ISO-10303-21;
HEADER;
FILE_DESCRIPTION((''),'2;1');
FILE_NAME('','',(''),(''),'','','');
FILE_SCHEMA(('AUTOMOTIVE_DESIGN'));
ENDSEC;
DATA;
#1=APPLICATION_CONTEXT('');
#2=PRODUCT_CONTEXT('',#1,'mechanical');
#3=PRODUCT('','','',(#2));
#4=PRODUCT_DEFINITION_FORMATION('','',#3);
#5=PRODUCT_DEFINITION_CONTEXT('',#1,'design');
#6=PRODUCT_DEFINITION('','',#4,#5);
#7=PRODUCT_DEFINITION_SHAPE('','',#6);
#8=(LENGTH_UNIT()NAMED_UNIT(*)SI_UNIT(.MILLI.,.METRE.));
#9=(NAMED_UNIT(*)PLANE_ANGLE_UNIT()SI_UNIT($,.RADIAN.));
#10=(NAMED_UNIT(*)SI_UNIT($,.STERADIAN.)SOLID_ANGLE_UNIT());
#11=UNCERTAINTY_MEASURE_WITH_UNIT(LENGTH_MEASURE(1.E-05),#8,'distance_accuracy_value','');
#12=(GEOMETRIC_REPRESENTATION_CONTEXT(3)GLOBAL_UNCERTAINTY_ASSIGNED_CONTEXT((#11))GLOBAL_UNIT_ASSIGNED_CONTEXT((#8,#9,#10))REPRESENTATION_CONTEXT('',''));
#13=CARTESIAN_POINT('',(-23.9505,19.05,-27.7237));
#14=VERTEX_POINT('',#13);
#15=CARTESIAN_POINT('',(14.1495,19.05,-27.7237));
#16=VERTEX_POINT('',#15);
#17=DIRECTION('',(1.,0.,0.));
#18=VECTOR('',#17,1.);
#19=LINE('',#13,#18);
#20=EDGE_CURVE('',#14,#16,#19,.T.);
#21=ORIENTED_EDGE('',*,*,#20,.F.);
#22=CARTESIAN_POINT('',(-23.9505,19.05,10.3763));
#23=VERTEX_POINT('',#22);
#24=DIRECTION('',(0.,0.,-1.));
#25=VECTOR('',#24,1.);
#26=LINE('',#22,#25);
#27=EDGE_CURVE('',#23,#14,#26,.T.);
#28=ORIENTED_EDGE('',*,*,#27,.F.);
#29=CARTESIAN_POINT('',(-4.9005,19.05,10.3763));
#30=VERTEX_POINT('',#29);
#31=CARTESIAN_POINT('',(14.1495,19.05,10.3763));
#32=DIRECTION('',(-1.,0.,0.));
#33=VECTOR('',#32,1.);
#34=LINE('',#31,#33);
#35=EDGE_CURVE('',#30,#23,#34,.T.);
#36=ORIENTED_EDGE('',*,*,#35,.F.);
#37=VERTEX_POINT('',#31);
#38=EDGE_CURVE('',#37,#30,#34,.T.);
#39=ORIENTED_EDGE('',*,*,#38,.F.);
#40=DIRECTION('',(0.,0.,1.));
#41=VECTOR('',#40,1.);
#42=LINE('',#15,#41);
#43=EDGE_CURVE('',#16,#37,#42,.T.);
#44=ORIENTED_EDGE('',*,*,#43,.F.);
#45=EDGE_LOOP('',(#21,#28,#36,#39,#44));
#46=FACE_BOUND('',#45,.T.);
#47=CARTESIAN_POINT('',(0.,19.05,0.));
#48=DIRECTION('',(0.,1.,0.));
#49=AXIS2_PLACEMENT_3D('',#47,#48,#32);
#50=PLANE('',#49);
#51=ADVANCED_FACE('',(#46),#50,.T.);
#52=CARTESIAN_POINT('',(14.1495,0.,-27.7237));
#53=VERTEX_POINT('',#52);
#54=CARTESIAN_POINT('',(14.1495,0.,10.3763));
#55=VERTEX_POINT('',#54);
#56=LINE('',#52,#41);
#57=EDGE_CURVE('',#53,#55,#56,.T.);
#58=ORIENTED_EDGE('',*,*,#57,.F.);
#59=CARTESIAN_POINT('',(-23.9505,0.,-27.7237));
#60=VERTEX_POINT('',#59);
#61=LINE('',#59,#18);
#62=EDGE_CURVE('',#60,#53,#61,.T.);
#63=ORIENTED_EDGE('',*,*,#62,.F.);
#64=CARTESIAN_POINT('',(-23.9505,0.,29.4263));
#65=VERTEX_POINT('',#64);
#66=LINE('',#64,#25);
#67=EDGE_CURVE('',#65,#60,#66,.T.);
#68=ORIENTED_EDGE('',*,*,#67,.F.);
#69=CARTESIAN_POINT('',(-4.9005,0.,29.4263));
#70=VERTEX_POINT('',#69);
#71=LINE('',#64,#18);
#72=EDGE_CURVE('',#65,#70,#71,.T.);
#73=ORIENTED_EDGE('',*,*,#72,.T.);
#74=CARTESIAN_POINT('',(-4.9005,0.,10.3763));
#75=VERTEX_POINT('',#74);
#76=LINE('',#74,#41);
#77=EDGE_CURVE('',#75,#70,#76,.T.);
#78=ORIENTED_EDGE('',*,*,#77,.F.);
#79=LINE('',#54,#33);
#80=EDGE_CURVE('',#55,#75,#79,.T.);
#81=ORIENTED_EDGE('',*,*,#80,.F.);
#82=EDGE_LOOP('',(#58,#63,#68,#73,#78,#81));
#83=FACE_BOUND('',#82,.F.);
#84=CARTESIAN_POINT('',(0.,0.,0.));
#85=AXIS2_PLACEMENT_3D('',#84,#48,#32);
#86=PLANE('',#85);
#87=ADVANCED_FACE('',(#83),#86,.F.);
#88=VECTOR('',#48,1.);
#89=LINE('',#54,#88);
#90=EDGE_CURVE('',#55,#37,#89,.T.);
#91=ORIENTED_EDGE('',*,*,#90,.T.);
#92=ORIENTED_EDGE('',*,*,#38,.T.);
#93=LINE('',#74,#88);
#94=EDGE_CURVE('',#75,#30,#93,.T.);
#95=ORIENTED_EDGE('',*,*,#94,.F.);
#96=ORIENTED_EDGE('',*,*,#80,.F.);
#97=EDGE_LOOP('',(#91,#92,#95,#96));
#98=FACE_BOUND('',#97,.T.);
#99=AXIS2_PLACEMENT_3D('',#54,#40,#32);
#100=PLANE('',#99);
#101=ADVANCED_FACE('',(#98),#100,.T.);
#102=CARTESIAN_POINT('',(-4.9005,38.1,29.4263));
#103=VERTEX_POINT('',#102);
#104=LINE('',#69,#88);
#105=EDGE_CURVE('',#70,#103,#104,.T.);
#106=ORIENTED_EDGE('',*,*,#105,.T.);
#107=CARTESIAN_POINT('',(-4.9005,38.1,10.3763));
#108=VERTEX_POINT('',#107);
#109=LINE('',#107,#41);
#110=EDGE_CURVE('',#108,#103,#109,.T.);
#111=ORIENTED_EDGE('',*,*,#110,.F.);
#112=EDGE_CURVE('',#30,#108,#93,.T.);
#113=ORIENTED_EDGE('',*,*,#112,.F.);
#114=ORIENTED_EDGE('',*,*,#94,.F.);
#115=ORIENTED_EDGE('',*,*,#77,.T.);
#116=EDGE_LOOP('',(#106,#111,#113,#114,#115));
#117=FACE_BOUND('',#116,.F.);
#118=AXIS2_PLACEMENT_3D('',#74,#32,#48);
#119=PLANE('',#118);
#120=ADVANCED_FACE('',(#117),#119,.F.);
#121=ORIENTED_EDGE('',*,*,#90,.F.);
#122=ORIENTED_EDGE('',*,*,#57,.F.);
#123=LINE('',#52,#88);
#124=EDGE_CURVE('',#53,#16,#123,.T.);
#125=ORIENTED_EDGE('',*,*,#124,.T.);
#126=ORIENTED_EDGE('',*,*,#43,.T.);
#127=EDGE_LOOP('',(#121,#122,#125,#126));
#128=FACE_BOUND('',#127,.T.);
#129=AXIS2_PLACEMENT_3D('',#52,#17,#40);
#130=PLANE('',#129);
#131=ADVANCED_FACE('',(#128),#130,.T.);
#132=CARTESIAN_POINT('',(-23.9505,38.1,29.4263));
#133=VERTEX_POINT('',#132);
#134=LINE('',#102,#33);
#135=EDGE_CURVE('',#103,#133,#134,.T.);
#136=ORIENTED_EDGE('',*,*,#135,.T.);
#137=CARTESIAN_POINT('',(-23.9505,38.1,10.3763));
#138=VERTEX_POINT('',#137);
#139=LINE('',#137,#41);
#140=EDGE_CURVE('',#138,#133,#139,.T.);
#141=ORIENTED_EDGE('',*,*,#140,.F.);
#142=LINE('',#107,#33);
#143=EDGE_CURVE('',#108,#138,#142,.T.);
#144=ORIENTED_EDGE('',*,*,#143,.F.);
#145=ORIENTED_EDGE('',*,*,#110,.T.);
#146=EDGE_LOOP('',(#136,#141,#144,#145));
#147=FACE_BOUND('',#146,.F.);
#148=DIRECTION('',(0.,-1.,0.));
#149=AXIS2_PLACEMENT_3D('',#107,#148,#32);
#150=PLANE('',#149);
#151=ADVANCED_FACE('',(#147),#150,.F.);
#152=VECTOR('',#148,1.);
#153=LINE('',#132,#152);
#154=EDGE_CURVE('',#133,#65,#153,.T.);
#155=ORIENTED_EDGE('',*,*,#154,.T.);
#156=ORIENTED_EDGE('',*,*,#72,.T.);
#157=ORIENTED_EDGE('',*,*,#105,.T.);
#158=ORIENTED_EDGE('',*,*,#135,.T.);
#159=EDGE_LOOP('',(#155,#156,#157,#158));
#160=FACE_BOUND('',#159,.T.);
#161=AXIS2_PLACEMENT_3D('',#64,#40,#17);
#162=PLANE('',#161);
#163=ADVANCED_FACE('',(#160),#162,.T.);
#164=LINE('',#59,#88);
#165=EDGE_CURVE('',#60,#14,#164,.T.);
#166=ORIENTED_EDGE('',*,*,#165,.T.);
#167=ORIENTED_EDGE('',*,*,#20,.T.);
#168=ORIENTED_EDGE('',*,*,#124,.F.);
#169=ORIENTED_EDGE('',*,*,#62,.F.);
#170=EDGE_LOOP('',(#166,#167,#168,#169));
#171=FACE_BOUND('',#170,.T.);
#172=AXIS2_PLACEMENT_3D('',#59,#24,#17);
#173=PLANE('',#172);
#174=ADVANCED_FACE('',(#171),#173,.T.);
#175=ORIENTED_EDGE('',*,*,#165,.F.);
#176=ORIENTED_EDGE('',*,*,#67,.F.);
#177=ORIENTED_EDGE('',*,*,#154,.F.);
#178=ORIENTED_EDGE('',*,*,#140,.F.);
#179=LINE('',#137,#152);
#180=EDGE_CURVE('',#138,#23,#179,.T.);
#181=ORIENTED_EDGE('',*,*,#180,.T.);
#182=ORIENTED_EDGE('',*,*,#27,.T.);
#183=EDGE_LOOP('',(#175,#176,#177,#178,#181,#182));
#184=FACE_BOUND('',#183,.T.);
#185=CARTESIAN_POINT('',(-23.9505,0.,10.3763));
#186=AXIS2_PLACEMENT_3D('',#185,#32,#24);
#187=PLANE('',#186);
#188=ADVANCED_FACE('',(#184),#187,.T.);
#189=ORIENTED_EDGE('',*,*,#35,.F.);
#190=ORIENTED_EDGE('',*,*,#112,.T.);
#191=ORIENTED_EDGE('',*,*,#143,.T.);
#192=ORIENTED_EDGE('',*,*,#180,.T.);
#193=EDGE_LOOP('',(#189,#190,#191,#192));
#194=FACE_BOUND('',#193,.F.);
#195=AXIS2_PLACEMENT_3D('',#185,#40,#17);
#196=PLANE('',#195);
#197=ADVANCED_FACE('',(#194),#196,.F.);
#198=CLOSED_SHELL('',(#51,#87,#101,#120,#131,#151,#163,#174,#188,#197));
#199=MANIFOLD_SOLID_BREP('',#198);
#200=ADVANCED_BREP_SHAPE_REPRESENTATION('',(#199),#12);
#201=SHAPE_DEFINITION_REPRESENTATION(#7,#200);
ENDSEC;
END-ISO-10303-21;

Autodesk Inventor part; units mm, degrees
ref_plane "YZ Plane" through (0, 0, 0) normal (1, 0, 0) x (0, 1, 0)
ref_plane "XZ Plane" through (0, 0, 0) normal (0, 1, 0) x (-1, 0, 0)
ref_plane "XY Plane" through (0, 0, 0) normal (0, 0, 1) x (1, 0, 0)
sketch "Sketch1" plane through (0, 0, 0) normal (0, 1, 0) x (-1, 0, 0)
  line L0 (-14.1495, 10.3763) -> (23.9505, 10.3763)
  line L1 (23.9505, 10.3763) -> (23.9505, -27.7237)
  line L2 (23.9505, -27.7237) -> (-14.1495, -27.7237)
  line L3 (-14.1495, -27.7237) -> (-14.1495, 10.3763)
  point P0 (0, 0)
  dimension "d0" = 38.1
  dimension "d1" = 38.1
extrude "Extrusion1" add sketch "Sketch1" along normal blind 19.05
sketch "Sketch2" plane through (-23.9505, 0, 10.3763) normal (0, 0, 1) x (1, 0, 0)
  line L0 (0, 0) -> (19.05, 0)
  line L1 (19.05, 0) -> (19.05, 38.1)
  line L2 (19.05, 38.1) -> (0, 38.1)
  line L3 (0, 38.1) -> (0, 0)
  point P0 (23.9505, 0)
  dimension "d4" = 19.05
  dimension "d5" = 38.1
extrude "Extrusion2" add sketch "Sketch2" along normal blind 19.05
